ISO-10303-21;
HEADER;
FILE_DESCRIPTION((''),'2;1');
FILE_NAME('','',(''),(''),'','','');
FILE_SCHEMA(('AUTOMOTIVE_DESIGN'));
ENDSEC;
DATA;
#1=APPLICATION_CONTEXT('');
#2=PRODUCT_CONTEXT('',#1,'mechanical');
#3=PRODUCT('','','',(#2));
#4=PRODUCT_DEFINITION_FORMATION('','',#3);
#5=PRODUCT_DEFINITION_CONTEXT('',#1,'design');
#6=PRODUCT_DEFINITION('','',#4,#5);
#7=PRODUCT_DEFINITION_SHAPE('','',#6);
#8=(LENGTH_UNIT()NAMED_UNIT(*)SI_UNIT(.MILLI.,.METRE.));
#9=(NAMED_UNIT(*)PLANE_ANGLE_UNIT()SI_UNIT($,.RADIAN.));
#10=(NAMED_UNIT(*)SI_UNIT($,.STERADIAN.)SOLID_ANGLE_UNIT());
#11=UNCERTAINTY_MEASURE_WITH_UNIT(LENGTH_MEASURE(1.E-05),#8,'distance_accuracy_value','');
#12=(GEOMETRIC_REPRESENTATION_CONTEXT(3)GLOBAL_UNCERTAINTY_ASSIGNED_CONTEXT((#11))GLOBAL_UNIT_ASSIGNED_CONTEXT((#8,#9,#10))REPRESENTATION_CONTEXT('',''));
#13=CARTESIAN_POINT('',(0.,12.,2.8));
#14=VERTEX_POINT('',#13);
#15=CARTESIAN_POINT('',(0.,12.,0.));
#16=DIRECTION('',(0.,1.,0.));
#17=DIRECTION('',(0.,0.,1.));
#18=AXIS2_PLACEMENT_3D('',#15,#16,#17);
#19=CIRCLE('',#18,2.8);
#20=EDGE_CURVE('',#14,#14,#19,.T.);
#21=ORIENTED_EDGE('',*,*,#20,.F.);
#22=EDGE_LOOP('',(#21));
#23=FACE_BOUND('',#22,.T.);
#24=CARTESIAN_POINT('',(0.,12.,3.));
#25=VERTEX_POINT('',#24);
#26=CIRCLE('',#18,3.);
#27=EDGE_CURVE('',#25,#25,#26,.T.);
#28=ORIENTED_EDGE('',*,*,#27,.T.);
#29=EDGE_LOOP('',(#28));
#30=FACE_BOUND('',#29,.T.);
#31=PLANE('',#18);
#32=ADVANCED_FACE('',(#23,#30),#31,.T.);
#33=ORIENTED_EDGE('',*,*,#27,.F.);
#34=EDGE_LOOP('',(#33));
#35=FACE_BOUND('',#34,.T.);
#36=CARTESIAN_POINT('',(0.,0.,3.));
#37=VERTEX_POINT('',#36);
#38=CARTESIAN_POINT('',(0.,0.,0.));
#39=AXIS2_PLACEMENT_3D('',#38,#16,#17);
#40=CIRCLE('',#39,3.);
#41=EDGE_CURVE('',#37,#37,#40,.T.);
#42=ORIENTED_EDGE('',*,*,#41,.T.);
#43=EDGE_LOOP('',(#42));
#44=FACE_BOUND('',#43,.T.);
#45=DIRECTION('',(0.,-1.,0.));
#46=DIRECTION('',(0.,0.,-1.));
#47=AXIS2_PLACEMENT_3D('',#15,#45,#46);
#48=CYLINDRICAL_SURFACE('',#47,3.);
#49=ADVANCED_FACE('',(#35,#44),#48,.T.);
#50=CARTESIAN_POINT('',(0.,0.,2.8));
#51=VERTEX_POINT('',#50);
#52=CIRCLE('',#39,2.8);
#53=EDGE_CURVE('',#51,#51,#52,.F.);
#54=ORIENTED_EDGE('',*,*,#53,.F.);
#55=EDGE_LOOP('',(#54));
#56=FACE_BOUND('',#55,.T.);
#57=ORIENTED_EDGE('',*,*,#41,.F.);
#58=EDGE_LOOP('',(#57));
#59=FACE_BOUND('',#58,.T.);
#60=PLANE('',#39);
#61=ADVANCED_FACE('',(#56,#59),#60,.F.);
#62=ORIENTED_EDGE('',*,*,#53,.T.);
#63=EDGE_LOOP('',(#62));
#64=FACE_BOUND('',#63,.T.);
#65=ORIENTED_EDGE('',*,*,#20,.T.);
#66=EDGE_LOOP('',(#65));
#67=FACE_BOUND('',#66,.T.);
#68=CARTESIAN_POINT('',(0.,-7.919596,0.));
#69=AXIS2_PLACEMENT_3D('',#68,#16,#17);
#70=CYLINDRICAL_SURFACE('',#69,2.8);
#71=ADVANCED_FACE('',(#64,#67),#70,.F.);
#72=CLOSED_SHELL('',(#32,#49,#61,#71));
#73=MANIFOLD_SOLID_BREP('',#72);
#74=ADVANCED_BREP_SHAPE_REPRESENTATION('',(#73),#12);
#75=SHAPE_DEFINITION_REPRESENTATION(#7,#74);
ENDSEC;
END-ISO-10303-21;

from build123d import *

# Parameters (mm, degrees)
SKETCH_1_R          = 3
EXTRUDE_1_DEPTH     = 12
SKETCH_2_R          = 2.8
CUT_EXTRUDE_1_DEPTH = 12


with BuildPart() as part:
    # 草图1 → 凸台-拉伸1 (new body)
    with BuildSketch(Plane(origin=(0, 0, 0), x_dir=(1, 0, 0), z_dir=(0, 1, 0))):
        Circle(SKETCH_1_R)
    extrude(amount=EXTRUDE_1_DEPTH)

    # 草图2 → 切除-拉伸1 (cut)
    with BuildSketch(Plane(origin=(0, 12, 0), x_dir=(1, 0, 0), z_dir=(0, 1, 0))):
        Circle(SKETCH_2_R)
    extrude(amount=-CUT_EXTRUDE_1_DEPTH, mode=Mode.SUBTRACT)


solid = part.part
